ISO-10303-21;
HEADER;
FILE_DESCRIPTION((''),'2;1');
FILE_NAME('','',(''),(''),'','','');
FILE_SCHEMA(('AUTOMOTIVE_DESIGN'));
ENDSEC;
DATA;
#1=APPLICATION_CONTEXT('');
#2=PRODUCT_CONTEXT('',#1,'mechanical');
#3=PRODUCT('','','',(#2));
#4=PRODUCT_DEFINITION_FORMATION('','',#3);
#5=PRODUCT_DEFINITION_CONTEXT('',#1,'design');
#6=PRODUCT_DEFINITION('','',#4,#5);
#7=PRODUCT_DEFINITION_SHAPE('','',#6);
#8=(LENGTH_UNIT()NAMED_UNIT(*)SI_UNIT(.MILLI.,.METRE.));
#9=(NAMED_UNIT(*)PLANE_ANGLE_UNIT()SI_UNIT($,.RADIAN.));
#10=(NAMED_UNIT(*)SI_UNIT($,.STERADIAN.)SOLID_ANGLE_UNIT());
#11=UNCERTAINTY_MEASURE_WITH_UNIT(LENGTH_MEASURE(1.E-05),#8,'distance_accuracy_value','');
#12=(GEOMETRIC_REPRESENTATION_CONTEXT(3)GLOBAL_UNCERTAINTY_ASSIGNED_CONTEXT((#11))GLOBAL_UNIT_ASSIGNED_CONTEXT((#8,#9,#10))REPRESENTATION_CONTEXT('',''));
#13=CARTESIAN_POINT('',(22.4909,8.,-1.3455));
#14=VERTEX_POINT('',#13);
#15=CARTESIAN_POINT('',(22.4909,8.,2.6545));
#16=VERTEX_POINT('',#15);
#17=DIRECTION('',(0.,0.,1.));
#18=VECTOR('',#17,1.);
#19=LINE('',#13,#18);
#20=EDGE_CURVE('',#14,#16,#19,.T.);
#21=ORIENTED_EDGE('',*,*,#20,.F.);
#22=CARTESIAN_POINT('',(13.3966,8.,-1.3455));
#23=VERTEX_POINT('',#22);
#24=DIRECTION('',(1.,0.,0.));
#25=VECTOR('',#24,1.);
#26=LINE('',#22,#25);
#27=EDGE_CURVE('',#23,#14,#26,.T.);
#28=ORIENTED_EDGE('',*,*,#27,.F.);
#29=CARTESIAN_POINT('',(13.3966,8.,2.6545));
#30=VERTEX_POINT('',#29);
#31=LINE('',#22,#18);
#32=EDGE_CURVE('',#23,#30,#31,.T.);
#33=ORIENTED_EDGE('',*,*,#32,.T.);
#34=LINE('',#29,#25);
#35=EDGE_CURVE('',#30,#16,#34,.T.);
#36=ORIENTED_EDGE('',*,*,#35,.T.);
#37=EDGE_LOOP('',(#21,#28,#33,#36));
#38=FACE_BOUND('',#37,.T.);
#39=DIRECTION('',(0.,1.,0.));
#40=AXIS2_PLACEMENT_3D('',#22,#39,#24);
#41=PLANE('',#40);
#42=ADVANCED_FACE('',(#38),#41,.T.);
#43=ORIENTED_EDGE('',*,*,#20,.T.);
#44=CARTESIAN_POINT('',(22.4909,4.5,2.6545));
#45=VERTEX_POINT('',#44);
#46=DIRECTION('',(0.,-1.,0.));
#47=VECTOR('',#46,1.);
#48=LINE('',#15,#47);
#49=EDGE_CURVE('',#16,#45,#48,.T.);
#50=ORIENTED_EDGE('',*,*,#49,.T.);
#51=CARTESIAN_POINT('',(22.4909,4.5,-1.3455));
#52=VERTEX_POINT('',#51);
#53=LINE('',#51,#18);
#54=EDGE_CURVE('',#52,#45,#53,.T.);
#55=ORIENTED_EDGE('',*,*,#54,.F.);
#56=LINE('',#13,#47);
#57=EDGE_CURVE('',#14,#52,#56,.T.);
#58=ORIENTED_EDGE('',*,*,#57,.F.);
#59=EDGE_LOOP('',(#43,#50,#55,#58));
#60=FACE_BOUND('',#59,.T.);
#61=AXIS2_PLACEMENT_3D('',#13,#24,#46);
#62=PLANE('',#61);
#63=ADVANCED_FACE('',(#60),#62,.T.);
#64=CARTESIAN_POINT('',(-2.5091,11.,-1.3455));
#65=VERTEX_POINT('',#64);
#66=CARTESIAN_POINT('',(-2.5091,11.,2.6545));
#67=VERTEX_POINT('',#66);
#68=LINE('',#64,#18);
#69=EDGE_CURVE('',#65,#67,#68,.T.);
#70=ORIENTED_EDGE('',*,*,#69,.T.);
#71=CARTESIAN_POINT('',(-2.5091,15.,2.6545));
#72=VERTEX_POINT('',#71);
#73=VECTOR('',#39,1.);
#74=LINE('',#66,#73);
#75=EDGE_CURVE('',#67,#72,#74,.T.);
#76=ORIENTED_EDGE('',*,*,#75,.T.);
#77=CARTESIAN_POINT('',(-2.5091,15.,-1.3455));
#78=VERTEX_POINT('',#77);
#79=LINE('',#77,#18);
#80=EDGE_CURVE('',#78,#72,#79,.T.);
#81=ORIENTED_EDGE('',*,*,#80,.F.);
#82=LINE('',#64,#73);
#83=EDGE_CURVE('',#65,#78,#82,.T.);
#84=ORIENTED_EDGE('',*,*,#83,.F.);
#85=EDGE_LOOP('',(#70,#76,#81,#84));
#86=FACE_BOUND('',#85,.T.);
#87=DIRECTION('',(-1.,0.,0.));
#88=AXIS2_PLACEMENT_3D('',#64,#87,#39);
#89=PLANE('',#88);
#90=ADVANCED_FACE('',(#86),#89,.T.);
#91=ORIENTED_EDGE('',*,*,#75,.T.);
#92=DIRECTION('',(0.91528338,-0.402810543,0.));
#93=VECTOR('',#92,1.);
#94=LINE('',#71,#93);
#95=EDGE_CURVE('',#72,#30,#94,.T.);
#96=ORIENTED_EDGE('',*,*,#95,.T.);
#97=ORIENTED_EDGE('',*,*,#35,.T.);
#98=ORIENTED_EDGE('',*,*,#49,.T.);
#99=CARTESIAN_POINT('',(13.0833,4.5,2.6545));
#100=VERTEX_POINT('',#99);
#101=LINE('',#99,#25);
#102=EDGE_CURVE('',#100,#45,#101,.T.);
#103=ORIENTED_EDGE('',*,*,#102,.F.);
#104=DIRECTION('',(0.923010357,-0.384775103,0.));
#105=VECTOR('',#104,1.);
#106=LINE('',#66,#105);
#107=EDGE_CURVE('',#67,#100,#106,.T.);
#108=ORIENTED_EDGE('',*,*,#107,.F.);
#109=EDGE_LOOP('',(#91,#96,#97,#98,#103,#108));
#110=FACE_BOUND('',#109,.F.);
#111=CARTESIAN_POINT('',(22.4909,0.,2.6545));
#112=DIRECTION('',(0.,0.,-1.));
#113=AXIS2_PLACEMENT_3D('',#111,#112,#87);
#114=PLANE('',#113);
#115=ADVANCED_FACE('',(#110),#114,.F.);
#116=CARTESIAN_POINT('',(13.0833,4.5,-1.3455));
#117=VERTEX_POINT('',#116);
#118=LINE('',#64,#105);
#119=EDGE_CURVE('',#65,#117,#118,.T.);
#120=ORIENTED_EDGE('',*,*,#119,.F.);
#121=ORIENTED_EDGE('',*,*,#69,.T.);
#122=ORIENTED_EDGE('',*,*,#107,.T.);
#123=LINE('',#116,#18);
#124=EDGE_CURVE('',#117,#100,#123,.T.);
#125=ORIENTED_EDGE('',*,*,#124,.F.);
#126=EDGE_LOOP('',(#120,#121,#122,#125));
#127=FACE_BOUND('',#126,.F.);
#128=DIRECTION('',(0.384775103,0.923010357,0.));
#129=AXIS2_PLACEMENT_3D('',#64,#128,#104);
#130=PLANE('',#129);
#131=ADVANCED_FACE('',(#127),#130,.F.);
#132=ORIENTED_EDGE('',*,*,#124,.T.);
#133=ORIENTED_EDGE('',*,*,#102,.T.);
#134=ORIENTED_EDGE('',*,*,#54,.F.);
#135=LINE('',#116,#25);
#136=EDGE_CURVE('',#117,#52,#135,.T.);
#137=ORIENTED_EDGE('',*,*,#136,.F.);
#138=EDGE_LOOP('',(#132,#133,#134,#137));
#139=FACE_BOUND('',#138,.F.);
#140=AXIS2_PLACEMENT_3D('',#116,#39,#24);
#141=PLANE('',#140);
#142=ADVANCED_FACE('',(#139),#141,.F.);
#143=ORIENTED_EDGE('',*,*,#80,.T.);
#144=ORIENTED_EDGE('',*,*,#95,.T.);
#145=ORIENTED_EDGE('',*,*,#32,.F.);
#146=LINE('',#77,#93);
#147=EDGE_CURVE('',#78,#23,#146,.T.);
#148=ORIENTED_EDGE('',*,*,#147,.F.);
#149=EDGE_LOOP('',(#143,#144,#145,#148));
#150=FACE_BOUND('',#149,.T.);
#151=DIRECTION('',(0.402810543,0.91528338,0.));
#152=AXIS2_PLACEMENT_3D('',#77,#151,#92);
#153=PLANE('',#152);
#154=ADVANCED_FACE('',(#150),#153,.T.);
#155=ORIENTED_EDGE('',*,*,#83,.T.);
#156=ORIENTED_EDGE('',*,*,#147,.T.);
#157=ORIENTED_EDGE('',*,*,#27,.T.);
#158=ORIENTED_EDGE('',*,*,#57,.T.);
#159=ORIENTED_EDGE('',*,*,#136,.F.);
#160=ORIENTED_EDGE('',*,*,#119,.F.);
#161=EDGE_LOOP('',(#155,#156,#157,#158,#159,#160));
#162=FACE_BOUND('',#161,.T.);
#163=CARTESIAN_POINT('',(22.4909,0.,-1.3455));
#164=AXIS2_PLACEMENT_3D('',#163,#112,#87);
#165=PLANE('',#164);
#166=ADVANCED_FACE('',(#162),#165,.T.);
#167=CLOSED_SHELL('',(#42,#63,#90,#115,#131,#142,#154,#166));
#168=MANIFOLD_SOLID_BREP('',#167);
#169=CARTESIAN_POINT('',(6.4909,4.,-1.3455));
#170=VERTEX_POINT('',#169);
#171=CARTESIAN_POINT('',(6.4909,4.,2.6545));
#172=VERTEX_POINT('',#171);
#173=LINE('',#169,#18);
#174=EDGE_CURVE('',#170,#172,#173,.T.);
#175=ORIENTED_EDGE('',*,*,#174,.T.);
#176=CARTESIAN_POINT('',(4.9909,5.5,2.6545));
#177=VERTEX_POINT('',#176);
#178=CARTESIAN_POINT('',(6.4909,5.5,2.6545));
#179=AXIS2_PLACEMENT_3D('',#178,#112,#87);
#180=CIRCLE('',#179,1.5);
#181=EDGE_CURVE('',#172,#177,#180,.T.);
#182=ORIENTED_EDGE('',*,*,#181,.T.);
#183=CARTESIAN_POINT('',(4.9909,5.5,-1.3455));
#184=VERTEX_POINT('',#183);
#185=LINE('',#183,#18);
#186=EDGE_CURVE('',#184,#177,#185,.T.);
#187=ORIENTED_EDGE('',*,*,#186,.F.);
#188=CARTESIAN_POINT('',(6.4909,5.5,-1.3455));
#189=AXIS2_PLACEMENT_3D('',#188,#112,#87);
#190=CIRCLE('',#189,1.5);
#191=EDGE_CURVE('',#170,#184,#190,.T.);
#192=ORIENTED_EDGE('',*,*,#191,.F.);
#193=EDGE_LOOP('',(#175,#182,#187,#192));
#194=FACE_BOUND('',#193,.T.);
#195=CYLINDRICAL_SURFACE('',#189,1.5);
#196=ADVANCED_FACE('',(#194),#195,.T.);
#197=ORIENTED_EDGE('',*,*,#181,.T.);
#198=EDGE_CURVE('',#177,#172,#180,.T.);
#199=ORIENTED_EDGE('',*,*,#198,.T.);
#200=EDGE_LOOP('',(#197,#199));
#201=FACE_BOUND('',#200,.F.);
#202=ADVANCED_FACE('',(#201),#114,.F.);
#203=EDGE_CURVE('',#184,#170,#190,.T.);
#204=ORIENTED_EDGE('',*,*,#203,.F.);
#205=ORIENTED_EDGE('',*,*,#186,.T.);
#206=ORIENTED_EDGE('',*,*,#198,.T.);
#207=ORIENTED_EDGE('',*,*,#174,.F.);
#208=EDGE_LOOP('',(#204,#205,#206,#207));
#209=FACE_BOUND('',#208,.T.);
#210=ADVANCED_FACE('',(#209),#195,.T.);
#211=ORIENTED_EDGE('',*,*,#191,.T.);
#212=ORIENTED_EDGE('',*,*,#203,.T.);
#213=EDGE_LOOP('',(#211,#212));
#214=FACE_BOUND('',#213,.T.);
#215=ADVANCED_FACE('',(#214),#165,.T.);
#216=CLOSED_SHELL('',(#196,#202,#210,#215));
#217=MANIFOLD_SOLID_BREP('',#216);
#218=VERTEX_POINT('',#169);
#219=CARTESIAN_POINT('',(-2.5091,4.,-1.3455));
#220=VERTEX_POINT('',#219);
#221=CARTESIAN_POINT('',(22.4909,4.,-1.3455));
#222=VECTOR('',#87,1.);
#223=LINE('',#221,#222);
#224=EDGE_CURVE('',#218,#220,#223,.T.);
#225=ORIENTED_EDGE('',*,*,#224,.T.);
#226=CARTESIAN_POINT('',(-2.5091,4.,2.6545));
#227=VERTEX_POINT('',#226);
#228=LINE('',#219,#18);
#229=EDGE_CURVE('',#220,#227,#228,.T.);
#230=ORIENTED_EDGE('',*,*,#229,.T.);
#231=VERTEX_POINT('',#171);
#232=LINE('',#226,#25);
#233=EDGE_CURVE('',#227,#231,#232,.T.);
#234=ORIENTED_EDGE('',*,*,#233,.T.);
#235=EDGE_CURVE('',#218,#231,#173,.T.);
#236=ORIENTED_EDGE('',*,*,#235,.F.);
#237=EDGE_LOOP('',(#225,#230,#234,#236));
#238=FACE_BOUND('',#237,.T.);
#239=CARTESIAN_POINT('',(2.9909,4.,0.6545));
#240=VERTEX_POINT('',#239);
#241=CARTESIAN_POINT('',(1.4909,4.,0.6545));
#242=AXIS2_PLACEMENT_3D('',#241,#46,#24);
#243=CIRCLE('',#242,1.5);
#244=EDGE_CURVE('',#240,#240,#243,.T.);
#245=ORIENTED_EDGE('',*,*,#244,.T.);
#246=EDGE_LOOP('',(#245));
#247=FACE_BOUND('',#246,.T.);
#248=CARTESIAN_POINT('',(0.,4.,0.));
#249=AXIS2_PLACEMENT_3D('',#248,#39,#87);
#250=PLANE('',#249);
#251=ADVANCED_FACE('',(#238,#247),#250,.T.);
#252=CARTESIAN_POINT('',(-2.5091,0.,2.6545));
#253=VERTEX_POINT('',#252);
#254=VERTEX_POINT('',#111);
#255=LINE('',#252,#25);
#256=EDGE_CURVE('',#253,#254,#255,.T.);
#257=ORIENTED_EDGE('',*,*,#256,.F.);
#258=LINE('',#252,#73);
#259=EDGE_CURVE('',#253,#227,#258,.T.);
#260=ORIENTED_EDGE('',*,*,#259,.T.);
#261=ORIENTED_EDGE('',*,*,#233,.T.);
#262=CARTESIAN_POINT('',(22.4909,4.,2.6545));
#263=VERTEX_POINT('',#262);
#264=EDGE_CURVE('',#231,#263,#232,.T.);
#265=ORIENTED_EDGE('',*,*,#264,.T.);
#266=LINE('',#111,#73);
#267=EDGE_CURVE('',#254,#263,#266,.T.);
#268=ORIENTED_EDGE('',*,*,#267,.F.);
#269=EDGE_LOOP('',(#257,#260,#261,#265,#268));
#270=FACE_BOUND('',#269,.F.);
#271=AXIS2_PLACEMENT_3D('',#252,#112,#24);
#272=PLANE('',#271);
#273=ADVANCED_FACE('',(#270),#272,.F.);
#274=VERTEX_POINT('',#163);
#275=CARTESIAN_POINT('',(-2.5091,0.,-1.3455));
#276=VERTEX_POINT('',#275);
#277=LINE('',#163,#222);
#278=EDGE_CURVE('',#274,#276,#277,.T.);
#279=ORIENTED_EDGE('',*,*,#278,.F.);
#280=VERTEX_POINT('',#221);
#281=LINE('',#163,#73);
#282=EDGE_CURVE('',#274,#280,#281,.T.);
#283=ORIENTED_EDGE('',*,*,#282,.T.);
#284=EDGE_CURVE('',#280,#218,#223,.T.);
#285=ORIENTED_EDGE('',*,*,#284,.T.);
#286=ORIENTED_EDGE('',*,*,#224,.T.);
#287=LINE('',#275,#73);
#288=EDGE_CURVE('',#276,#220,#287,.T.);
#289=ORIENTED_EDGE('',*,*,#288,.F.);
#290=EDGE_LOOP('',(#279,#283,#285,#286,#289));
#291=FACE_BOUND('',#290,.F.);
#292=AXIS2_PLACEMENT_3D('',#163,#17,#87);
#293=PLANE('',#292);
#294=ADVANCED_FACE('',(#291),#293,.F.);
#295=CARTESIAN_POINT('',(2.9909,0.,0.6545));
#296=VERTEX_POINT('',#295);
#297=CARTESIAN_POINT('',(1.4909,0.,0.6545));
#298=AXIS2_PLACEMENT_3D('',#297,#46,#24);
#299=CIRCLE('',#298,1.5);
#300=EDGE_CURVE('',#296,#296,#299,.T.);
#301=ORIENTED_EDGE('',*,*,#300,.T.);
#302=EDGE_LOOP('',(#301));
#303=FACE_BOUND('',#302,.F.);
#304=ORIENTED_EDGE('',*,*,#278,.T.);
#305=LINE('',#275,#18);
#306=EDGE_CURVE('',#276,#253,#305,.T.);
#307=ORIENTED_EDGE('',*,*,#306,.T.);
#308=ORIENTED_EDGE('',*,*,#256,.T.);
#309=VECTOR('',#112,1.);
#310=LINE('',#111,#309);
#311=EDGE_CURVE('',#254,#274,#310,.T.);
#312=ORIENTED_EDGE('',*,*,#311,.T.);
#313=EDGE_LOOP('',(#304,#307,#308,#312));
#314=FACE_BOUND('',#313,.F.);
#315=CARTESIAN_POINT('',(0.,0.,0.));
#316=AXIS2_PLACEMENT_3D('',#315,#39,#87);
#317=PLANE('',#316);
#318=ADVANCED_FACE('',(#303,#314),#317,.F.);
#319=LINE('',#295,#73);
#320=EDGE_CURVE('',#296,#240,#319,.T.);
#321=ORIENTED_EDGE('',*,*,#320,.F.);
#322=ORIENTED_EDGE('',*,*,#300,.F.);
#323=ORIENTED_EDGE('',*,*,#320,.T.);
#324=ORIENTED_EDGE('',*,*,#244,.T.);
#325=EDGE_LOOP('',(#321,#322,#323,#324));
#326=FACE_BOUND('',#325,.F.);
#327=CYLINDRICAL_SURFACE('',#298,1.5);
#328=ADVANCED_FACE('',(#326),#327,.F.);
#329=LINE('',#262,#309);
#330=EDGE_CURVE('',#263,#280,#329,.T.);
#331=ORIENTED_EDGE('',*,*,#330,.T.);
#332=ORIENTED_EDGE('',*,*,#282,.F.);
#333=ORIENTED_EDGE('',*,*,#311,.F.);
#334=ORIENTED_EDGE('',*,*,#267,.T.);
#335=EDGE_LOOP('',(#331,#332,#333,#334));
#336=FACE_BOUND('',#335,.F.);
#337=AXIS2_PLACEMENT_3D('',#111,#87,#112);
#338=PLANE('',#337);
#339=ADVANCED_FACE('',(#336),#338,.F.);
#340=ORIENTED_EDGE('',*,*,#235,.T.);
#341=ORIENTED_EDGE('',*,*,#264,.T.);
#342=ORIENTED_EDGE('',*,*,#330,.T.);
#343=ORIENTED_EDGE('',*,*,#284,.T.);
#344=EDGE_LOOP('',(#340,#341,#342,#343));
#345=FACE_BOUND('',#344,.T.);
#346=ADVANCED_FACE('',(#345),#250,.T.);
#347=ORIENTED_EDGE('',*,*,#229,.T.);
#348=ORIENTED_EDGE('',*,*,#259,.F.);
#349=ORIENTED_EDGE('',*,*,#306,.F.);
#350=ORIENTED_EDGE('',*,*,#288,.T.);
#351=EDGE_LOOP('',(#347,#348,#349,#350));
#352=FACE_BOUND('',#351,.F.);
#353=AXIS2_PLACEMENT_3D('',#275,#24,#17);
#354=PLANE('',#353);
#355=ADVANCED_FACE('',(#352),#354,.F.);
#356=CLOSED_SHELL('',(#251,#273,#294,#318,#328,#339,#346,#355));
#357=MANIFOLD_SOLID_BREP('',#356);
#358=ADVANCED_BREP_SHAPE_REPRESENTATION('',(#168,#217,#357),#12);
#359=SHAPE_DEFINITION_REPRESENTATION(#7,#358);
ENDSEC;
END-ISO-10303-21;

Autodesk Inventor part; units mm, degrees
ref_plane "YZ Plane" through (0, 0, 0) normal (1, 0, 0) x (0, 1, 0)
ref_plane "XZ Plane" through (0, 0, 0) normal (0, 1, 0) x (-1, 0, 0)
ref_plane "XY Plane" through (0, 0, 0) normal (0, 0, 1) x (1, 0, 0)
sketch "Esquisse1" plane through (0, 0, 0) normal (0, 1, 0) x (-1, 0, 0)
  line L0 (2.5091, 2.6545) -> (-22.4909, 2.6545)
  line L1 (-22.4909, 2.6545) -> (-22.4909, -1.3455)
  line L2 (-22.4909, -1.3455) -> (2.5091, -1.3455)
  line L3 (2.5091, -1.3455) -> (2.5091, 2.6545)
  point P0 (0, 0)
  dimension "d0" = 4
  dimension "d1" = 25
extrude "Extrusion1" add sketch "Esquisse1" along normal blind 4
sketch "Esquisse3" plane through (22.4909, 0, -1.3455) normal (0, 0, -1) x (-1, 0, 0)
  circle A0 centre (16, 5.5) radius 1.5
  line L0 (0, 4) -> (25, 4) projected
  line L1 (25, 0) -> (25, 4) projected
  point P0 (22.4909, 0)
  dimension "d4" = 3
  dimension "d5" = 1.5
  dimension "d6" = 9
extrude "Extrusion2" add sketch "Esquisse3" against normal blind 4
sketch "Esquisse4" plane through (22.4909, 0, -1.3455) normal (0, 0, -1) x (-1, 0, 0)
  line L0 (0, 4) -> (16, 4) projected
  line L1 (25, 11) -> (9.4076, 4.5)
  line L2 (25, 0) -> (25, 4) projected
  line L3 (16, 4) -> (25, 4) projected
  line L4 (25, 11) -> (25, 15)
  line L5 (25, 15) -> (9.0943, 8)
  line L6 (9.0943, 8) -> (0, 8)
  line L7 (0, 8) -> (0, 4)
  line L8 (9.4076, 4.5) -> (0, 4.5)
  point P0 (22.4909, 0)
  point P1 (9.0943, 4)
  dimension "d9" = 0
  dimension "d10" = 7
  dimension "d11" = 4
  dimension "d12" = 4
  dimension "d15" = 0.5
extrude "Extrusion3" add sketch "Esquisse4" against normal blind 4
sketch "Esquisse6" plane through (0, 0, 0) normal (0, -1, 0) x (1, 0, 0)
  circle A0 centre (1.4909, 0.6545) radius 1.5
  line L0 (22.4909, -1.3455) -> (-2.5091, -1.3455) projected
  line L1 (-2.5091, -1.3455) -> (-2.5091, 2.6545) projected
  point P0 (0, 0)
  dimension "d16" = 3
  dimension "d17" = 2
  dimension "d18" = 4
extrude "Extrusion4" cut sketch "Esquisse6" against normal up to next
properties part number "pince a linge"
